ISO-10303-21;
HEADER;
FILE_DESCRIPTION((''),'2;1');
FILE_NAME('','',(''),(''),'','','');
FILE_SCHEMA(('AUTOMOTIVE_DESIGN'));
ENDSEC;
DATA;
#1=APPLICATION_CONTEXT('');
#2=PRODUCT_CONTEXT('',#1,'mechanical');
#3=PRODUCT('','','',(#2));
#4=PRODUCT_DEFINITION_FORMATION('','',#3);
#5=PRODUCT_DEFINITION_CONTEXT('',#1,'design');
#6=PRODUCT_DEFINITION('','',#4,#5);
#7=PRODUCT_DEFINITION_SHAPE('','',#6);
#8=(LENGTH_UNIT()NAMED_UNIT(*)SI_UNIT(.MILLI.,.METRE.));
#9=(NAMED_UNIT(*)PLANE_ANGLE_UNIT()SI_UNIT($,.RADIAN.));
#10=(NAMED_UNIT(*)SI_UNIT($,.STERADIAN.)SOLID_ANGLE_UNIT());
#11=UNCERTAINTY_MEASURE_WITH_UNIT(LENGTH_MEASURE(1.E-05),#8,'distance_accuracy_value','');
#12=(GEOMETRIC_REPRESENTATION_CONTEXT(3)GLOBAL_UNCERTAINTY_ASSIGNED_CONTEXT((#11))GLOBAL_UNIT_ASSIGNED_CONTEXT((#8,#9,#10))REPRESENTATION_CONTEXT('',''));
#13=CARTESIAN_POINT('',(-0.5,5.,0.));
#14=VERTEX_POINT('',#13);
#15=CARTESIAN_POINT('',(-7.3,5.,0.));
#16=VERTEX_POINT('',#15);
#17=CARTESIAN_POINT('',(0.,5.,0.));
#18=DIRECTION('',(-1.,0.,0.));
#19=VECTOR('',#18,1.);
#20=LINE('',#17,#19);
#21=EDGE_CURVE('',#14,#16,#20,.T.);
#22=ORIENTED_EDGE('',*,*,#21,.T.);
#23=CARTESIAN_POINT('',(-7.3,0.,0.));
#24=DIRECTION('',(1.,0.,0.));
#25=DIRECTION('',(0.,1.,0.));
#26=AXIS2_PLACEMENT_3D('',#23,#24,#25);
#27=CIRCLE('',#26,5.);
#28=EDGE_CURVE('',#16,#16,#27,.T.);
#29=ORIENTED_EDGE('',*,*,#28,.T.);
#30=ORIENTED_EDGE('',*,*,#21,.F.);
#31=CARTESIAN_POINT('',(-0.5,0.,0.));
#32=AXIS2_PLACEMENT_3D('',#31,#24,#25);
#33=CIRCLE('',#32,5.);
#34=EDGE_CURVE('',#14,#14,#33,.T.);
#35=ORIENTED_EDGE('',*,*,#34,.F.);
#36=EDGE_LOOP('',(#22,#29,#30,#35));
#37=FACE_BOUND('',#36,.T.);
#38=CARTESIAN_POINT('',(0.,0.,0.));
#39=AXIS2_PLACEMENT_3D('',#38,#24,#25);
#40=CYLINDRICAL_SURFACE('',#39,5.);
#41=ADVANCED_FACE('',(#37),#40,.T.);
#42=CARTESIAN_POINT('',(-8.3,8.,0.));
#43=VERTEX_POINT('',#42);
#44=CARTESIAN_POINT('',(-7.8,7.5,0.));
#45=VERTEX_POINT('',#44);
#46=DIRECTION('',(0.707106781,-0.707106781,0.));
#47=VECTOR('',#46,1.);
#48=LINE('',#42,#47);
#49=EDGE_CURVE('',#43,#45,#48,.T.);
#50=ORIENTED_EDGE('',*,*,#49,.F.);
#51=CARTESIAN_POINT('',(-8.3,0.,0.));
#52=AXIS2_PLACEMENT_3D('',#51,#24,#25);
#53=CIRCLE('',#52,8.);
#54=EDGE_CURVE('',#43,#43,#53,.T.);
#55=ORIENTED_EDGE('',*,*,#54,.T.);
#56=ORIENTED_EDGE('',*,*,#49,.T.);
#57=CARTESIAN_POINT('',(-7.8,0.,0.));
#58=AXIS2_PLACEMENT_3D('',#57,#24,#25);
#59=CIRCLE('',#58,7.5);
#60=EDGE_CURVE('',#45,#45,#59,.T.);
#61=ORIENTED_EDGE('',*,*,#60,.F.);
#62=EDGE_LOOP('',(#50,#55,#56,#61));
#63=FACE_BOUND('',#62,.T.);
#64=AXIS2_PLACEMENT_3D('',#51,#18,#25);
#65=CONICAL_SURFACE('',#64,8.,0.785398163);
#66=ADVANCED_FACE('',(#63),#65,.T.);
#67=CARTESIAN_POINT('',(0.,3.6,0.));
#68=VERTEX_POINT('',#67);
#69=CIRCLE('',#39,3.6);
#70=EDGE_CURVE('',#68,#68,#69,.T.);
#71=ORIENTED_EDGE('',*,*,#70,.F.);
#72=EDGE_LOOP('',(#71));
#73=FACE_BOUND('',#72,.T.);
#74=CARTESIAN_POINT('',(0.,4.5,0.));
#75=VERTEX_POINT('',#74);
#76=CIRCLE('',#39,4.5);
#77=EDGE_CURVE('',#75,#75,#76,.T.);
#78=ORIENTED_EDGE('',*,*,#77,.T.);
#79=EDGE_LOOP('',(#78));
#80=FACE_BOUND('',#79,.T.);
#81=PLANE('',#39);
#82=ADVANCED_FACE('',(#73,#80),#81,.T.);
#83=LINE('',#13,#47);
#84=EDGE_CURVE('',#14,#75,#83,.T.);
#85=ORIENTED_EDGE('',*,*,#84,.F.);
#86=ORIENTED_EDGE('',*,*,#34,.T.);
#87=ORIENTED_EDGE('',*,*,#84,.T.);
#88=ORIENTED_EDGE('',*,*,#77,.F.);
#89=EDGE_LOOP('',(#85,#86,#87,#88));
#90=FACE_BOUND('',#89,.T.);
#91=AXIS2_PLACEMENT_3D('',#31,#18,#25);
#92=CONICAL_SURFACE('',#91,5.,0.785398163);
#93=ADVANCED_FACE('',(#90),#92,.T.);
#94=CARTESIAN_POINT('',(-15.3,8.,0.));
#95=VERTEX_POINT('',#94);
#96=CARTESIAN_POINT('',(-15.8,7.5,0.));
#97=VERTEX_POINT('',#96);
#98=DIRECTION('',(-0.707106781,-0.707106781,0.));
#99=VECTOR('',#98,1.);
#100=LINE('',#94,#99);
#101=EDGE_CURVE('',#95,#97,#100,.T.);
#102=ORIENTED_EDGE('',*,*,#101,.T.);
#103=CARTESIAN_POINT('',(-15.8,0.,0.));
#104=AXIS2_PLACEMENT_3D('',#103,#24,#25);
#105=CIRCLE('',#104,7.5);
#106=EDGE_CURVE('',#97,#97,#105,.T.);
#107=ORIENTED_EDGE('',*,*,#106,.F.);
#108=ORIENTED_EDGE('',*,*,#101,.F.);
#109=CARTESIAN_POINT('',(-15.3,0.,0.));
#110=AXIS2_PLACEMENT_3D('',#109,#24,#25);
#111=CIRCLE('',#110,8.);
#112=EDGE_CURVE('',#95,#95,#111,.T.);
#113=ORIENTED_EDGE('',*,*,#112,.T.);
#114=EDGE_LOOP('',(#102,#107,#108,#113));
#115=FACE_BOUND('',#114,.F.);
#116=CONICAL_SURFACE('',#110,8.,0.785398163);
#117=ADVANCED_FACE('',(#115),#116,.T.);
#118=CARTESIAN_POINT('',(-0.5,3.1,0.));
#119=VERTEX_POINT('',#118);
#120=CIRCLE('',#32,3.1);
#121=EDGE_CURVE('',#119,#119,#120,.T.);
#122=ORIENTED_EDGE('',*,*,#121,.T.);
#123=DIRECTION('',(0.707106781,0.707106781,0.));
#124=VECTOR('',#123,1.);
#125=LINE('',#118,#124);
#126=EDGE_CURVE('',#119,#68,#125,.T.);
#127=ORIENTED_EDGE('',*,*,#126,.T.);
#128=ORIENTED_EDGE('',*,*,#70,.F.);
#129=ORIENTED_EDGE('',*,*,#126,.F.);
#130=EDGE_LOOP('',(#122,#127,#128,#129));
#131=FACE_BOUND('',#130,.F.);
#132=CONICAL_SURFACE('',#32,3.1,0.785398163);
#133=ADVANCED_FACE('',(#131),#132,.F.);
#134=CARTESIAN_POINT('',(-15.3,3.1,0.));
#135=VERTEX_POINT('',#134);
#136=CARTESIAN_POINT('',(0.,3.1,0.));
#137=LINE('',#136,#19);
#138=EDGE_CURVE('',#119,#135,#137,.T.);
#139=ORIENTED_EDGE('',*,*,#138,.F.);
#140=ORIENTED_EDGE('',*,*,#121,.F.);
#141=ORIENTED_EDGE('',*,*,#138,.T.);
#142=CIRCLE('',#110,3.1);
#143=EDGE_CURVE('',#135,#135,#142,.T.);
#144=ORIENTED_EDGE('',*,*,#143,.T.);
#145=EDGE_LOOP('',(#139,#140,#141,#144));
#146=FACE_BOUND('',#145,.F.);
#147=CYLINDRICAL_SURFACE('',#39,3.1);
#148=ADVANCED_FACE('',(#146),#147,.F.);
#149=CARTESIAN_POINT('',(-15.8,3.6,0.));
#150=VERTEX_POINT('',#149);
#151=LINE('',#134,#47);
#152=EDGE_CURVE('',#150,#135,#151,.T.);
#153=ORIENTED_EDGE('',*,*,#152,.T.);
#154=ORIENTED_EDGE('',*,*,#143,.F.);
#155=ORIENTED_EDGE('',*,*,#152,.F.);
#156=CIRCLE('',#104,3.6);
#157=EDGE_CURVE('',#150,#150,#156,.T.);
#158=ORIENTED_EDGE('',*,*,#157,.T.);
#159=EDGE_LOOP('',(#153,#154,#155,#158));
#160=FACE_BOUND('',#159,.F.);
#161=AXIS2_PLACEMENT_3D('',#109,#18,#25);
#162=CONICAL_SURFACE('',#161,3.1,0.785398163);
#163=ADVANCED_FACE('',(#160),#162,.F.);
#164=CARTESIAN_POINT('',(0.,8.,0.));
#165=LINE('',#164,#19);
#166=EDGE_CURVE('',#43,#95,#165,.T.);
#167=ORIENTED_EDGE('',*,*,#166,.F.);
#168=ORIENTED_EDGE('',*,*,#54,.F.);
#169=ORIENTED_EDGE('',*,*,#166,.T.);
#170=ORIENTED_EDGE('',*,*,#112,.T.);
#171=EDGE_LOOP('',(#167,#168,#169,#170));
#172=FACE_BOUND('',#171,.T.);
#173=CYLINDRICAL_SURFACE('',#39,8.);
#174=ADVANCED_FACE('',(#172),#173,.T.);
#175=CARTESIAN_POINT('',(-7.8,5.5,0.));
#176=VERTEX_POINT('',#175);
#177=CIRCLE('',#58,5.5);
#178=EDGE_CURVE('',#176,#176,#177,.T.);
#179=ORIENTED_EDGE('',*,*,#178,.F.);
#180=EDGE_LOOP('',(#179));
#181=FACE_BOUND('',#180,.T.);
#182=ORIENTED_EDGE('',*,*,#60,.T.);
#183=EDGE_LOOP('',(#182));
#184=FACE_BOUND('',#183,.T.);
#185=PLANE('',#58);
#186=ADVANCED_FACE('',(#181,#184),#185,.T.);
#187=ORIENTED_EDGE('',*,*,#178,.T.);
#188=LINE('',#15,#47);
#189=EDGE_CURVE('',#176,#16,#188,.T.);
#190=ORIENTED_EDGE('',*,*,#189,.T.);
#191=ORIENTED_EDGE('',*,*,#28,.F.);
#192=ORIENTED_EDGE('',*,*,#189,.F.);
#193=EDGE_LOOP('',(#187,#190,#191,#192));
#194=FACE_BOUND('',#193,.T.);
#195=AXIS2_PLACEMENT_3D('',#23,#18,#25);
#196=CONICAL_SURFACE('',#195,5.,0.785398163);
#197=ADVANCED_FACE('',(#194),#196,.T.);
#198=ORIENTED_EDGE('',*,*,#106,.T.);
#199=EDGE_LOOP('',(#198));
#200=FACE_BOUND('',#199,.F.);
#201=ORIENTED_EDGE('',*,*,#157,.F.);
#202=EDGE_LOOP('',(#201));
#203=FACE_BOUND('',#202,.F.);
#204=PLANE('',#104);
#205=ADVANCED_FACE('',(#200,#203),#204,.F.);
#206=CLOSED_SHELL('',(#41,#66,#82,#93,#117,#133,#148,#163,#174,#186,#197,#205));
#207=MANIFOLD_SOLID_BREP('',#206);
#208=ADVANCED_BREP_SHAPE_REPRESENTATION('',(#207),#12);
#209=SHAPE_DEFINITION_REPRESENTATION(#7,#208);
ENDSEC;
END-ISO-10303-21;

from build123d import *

# Parameters (mm, degrees)
F0_R     = 8
F1_DEPTH = 15.8
F2_R     = 8
F2_R_2   = 5
F3_DEPTH = 7.8
F4_R     = 3.1
F5_DEPTH = 25
F6_SIZE  = 0.5


with BuildPart() as f1:
    # F0 (on Right) → F1 (new body)
    with BuildSketch(Plane.YZ):
        Circle(F0_R)
    extrude(amount=-F1_DEPTH)

    # F2 (on face) → F3 (cut)
    with BuildSketch(Plane.YZ):
        Circle(F2_R)
        Circle(F2_R_2, mode=Mode.SUBTRACT)
    extrude(amount=-F3_DEPTH, mode=Mode.SUBTRACT)

    # F4 (on face) → F5 (cut)
    with BuildSketch(Plane.YZ):
        Circle(F4_R)
    extrude(amount=-F5_DEPTH, mode=Mode.SUBTRACT)

    # F6
    f6_edges = [f1.edges().sort_by_distance(p)[0] for p in [
        (0, -3.1, 0),
        (-15.8, -3.1, 0),
        (0, -5, 0),
        (-7.8, -5, 0),
        (-7.8, -8, 0),
        (-15.8, -8, 0),
    ]]
    chamfer(f6_edges, length=F6_SIZE)


solid = f1.part
